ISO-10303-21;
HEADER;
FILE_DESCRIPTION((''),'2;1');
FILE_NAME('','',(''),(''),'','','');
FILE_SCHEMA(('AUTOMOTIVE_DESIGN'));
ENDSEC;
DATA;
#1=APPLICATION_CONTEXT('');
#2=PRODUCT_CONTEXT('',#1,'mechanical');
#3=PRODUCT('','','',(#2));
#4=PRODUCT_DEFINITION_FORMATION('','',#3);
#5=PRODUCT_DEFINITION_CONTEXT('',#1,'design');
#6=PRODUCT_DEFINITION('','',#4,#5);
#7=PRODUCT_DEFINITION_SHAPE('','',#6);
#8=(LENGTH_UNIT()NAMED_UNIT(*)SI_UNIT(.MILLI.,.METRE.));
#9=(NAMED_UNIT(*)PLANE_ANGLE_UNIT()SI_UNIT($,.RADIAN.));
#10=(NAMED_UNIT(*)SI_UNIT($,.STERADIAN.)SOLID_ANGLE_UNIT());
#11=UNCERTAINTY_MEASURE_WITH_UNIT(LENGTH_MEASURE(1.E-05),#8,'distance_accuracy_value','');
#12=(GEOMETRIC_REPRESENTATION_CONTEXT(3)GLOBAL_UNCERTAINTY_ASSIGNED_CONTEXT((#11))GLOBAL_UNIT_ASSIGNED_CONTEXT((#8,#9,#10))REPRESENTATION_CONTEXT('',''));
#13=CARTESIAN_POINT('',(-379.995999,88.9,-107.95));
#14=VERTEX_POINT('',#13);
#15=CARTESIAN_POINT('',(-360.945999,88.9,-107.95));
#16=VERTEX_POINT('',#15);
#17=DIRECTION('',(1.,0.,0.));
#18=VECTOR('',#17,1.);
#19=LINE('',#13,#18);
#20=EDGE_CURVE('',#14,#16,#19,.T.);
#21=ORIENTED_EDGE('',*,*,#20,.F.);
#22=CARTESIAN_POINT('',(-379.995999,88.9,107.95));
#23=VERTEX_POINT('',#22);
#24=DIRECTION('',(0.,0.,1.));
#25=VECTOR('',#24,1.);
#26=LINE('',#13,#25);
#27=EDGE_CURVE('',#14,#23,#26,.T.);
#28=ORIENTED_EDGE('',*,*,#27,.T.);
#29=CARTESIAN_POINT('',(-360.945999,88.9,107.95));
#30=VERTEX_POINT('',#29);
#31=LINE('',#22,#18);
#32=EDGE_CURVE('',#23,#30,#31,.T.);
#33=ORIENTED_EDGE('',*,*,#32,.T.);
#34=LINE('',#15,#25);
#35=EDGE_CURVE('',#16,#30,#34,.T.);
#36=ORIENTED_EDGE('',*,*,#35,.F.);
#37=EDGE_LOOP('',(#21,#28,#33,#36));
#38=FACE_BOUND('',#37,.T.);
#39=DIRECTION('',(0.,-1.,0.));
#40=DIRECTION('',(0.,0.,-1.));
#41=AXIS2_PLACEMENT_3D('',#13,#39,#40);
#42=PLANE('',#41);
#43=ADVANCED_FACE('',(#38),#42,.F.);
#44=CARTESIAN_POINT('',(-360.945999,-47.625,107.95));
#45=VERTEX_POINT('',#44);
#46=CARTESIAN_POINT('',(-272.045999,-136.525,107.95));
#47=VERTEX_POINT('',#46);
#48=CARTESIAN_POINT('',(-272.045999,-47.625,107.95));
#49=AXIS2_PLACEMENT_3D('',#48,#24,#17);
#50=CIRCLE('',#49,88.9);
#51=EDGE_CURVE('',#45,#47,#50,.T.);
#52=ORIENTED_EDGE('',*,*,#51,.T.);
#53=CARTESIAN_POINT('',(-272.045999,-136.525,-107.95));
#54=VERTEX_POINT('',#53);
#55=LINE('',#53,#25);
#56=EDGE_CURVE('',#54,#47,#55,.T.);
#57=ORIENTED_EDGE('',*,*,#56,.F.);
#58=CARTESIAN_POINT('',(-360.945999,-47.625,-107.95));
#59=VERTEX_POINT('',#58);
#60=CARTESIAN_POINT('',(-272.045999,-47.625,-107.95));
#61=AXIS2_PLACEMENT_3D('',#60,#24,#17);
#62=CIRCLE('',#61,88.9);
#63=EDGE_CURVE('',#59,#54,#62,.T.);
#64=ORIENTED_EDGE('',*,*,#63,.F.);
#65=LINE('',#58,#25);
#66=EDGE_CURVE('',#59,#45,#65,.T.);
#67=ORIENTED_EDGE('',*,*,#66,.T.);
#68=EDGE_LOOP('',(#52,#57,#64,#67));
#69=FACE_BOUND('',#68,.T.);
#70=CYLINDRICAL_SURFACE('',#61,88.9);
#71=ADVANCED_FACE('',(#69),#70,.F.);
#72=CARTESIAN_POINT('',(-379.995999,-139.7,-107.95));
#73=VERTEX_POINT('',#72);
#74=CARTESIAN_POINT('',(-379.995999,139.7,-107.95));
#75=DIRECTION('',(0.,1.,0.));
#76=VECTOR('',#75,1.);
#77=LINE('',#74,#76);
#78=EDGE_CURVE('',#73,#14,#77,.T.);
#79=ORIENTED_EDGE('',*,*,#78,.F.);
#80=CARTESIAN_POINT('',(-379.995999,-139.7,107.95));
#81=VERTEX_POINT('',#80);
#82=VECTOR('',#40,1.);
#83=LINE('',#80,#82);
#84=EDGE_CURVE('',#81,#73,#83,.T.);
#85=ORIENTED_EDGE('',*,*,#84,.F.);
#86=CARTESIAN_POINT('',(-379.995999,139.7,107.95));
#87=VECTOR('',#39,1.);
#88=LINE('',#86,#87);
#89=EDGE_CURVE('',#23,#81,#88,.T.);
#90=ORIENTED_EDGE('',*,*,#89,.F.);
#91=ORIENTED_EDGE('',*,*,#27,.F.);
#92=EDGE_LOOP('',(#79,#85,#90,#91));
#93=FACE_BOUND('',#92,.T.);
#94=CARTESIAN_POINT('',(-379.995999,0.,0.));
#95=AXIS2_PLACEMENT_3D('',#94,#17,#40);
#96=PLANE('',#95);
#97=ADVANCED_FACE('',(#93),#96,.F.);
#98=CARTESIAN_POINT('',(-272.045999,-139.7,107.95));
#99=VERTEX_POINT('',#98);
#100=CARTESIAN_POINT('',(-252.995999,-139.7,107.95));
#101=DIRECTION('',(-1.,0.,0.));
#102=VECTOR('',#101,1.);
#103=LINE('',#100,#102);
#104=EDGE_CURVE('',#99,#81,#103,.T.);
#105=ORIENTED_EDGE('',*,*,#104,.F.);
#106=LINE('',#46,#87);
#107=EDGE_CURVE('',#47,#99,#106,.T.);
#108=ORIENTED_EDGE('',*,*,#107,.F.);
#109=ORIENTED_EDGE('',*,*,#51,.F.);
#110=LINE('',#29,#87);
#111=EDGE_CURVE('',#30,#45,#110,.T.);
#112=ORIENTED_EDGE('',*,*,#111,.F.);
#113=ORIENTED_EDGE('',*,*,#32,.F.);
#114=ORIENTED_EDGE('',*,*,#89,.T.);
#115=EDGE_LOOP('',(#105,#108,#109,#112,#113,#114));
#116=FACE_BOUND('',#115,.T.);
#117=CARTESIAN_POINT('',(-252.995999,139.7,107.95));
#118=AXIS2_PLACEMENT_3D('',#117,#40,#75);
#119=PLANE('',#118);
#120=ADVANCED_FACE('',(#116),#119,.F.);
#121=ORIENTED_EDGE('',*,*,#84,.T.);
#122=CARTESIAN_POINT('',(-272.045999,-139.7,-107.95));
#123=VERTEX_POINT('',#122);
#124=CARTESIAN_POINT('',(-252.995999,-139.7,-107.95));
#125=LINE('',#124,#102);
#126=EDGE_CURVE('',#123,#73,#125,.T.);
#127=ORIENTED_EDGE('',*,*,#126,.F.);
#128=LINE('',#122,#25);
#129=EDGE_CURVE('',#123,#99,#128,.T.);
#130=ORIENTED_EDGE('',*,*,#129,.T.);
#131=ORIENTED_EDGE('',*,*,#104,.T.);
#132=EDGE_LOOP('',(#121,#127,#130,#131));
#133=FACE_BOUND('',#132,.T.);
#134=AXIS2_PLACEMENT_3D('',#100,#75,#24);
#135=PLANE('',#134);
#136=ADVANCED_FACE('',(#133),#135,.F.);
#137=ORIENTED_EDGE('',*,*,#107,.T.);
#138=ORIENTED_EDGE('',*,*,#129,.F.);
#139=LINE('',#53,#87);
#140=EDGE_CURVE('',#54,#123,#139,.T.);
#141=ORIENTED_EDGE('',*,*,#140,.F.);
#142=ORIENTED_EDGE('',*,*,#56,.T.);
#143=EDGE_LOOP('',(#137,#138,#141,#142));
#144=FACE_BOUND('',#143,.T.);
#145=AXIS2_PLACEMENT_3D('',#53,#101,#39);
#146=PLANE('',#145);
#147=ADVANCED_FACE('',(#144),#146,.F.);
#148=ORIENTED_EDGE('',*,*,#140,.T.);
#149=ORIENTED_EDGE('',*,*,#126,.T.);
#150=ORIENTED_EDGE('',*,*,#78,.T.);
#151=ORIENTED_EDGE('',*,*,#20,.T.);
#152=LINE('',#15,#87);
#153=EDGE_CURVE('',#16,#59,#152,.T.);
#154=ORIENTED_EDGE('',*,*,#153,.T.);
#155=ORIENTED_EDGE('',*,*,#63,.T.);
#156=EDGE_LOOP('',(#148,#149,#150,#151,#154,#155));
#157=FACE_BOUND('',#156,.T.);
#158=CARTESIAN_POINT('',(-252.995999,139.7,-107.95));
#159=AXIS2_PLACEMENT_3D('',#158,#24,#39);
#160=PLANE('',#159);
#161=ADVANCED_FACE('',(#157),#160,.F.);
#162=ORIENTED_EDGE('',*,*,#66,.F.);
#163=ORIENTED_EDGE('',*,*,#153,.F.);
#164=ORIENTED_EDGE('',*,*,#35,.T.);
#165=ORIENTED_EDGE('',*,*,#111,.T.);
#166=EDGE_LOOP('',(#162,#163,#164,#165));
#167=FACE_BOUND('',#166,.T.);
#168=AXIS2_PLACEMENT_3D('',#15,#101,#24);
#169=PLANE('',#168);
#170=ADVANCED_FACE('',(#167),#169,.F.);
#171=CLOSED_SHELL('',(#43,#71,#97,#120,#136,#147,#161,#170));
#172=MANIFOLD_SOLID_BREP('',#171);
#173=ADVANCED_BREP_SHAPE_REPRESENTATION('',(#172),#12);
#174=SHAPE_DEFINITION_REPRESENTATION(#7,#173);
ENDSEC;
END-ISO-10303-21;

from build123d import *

# Parameters (mm, degrees)
SKETCH1_W           = 215.9
SKETCH1_H           = 279.4
BOSS_EXTRUDE1_DEPTH = 63.5
CUT_EXTRUDE2_DEPTH  = 216.9


with BuildPart() as part:
    # Sketch1 → Boss-Extrude1 (new body, symmetric)
    with BuildSketch(Plane(origin=(-316.495998982, -92.239904424, -225.371199256), x_dir=(0, 0, -1), z_dir=(1, 0, 0))):
        with Locations((-225.371199256, 92.239904424)):
            Rectangle(SKETCH1_W, SKETCH1_H)
    extrude(amount=BOSS_EXTRUDE1_DEPTH, both=True)

    # Sketch2 → Cut-Extrude2 (cut, through all)
    with BuildSketch(Plane.XY.offset(107.95)):
        with BuildLine():
            Line((-272.045998982, -139.7), (-252.995998982, -139.7))
            Line((-252.995998982, -139.7), (-252.995998982, 139.7))
            Line((-252.995998982, 139.7), (-379.995998982, 139.7))
            Line((-379.995998982, 139.7), (-379.995998982, 88.9))
            Line((-379.995998982, 88.9), (-360.945998982, 88.9))
            Line((-360.945998982, 88.9), (-360.945998982, -47.625))
            ThreePointArc((-360.945998982, -47.625), (-334.90779183, -110.486792847), (-272.045998982, -136.525))
            Line((-272.045998982, -136.525), (-272.045998982, -139.7))
        make_face()
    extrude(amount=-CUT_EXTRUDE2_DEPTH, mode=Mode.SUBTRACT)


solid = part.part
